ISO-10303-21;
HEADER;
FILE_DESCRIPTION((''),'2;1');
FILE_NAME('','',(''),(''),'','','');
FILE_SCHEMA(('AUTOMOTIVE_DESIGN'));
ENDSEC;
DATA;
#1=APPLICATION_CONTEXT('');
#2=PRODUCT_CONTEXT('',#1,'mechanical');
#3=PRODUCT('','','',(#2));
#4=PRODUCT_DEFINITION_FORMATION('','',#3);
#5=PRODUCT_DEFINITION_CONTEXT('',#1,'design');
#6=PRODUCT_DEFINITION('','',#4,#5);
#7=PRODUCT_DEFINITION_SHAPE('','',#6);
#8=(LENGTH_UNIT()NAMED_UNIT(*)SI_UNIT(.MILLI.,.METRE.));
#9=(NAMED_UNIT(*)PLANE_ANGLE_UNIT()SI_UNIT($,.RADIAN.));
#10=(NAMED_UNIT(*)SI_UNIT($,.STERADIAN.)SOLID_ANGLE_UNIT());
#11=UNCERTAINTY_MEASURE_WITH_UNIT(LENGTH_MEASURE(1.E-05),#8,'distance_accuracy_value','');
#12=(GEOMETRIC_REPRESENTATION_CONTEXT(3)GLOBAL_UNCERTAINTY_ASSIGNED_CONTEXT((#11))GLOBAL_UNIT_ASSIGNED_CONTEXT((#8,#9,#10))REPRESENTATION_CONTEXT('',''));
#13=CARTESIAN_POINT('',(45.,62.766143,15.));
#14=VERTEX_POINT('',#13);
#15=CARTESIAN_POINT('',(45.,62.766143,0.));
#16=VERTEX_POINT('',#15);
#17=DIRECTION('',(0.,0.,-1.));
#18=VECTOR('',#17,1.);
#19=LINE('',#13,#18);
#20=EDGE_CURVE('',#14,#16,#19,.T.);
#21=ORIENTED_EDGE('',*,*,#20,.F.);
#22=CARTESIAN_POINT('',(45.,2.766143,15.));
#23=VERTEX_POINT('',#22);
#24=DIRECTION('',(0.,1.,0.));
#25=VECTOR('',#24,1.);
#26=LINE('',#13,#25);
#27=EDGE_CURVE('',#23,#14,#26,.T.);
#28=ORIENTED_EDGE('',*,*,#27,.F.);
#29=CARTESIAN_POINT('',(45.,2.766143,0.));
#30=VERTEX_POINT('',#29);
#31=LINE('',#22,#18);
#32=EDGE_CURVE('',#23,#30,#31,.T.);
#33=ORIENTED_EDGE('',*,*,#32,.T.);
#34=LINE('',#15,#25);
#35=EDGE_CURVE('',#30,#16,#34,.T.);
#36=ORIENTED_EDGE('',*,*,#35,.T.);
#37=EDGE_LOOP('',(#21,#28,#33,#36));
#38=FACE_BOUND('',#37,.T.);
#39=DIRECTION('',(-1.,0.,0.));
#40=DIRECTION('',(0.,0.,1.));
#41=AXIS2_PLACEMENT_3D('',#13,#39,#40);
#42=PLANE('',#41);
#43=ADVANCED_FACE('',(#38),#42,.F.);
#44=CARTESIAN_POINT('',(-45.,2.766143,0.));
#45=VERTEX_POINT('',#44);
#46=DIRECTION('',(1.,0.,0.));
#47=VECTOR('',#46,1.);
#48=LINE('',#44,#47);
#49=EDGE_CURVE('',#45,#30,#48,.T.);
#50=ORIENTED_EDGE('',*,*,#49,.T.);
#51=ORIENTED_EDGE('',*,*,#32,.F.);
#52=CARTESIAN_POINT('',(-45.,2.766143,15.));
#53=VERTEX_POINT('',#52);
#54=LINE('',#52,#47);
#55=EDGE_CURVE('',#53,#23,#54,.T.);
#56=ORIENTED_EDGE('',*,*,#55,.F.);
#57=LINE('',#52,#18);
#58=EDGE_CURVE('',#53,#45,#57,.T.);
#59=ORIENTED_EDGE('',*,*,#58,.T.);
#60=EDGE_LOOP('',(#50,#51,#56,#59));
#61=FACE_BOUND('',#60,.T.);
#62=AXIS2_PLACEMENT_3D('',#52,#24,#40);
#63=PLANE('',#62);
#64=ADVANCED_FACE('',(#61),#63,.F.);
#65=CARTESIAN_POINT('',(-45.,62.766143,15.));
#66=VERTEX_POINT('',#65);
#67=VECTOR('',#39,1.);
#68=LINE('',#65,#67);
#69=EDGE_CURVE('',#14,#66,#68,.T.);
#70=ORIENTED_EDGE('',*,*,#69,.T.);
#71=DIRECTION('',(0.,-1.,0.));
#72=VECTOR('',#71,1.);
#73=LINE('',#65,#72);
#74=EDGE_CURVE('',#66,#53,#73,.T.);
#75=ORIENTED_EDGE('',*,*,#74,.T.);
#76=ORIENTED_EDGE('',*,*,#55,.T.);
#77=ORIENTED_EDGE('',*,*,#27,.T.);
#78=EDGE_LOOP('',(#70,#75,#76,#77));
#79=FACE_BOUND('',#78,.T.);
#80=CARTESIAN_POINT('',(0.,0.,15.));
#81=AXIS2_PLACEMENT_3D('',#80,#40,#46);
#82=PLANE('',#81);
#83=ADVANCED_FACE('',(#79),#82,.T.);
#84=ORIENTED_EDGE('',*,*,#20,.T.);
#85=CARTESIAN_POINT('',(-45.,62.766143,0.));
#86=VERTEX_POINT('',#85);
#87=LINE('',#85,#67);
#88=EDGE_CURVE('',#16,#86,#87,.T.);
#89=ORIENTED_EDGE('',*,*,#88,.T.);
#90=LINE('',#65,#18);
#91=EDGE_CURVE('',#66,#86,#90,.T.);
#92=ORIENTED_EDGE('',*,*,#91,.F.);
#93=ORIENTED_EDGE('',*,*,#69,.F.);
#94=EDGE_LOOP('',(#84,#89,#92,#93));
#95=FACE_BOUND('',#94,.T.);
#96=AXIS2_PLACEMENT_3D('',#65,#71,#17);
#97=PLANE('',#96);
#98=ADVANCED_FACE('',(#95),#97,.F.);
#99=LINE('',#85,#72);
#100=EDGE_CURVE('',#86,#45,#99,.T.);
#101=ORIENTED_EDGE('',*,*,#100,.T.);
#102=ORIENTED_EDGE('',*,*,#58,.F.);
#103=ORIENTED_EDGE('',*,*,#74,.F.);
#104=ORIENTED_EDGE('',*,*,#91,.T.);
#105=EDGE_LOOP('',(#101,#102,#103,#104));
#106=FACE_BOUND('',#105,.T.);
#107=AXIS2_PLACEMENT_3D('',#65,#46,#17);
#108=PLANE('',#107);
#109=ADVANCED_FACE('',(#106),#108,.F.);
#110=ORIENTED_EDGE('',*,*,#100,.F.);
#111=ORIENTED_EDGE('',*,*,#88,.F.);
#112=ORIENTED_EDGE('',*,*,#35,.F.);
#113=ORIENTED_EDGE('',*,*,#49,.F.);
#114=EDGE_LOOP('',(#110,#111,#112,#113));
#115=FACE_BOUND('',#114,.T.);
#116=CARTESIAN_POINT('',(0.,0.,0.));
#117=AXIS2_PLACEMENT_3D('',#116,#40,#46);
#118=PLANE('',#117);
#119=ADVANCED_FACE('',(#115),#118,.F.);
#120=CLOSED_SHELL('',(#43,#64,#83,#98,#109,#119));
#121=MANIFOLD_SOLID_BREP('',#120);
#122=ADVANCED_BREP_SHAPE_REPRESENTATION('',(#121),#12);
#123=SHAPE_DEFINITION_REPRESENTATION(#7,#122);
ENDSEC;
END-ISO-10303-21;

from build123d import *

# Parameters (mm, degrees)
SKETCH_1_W      = 90
SKETCH_1_H      = 60
EXTRUDE_1_DEPTH = 15


with BuildPart() as part:
    # 草图1 → 凸台-拉伸1 (new body)
    with BuildSketch(Plane.XY):
        with Locations((0, 32.766142745)):
            Rectangle(SKETCH_1_W, SKETCH_1_H)
    extrude(amount=EXTRUDE_1_DEPTH)


solid = part.part
